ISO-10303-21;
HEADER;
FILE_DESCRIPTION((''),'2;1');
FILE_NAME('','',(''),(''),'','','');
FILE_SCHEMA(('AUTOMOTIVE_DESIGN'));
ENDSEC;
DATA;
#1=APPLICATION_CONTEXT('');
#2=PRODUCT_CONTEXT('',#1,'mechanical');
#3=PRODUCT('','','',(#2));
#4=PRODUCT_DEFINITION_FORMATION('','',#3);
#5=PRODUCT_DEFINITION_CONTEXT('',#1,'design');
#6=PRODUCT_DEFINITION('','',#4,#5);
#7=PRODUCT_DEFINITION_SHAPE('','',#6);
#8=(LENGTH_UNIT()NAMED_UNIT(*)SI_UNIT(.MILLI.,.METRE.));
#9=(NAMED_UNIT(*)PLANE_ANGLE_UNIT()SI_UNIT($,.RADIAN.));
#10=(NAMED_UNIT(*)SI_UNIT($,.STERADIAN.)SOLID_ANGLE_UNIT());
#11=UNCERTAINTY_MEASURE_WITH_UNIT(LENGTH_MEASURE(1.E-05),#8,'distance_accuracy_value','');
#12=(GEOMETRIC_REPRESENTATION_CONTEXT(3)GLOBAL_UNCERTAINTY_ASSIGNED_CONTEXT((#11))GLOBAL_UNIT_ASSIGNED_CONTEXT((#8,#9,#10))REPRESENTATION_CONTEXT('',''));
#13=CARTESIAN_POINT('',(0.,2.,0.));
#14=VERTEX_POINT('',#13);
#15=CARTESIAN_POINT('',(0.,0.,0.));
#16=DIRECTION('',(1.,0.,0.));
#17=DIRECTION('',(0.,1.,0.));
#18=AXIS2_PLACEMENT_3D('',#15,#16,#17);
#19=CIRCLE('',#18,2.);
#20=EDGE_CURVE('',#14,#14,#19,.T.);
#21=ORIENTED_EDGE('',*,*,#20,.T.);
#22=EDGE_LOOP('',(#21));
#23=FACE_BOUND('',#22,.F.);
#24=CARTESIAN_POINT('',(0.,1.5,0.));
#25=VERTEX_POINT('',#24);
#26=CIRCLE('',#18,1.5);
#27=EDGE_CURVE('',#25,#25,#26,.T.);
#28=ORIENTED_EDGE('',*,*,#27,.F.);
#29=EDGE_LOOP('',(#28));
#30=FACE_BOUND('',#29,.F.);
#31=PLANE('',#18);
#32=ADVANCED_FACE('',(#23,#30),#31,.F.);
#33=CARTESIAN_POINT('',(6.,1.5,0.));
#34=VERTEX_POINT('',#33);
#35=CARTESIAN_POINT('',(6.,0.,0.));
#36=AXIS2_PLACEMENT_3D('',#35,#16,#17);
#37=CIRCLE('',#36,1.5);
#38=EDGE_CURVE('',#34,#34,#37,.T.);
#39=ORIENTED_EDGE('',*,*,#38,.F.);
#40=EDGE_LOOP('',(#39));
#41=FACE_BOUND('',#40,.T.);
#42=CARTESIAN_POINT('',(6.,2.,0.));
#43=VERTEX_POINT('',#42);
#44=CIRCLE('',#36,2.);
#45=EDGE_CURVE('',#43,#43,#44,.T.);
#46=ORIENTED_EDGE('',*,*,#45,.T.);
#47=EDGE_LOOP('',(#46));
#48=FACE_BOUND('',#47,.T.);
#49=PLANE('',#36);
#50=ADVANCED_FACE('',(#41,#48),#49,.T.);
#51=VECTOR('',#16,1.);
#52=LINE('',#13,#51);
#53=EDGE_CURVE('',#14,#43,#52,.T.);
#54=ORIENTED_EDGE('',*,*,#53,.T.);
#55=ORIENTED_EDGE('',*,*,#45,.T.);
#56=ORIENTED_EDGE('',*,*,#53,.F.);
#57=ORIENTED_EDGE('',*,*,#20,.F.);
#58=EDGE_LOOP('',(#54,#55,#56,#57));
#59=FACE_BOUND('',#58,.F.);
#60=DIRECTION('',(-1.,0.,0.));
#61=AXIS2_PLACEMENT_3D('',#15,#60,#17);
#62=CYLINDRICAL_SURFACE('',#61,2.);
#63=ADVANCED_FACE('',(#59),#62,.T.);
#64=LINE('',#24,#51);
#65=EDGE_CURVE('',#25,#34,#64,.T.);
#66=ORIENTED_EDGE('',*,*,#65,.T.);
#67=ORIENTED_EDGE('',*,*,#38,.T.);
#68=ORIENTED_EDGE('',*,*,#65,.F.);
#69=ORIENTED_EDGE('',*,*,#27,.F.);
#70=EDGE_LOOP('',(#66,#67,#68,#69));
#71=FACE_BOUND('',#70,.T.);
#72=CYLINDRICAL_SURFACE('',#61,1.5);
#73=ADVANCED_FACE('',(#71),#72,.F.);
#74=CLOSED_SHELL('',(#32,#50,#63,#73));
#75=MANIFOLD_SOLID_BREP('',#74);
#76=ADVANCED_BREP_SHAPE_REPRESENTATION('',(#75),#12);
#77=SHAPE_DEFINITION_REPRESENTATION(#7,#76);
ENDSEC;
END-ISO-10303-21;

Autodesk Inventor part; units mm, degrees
ref_plane "YZ Plane" through (0, 0, 0) normal (1, 0, 0) x (0, 1, 0)
ref_plane "XZ Plane" through (0, 0, 0) normal (0, 1, 0) x (-1, 0, 0)
ref_plane "XY Plane" through (0, 0, 0) normal (0, 0, 1) x (1, 0, 0)
sketch "Sketch1" plane through (0, 0, 0) normal (1, 0, 0) x (0, 1, 0)
  circle A0 centre (0, 0) radius 2
  circle A1 centre (0, 0) radius 1.5
  dimension "d0" = 4
  dimension "d1" = 3
extrude "Extrusion1" add sketch "Sketch1" along normal blind 6
properties part number "5mm Bushing_CPY_CPY"
